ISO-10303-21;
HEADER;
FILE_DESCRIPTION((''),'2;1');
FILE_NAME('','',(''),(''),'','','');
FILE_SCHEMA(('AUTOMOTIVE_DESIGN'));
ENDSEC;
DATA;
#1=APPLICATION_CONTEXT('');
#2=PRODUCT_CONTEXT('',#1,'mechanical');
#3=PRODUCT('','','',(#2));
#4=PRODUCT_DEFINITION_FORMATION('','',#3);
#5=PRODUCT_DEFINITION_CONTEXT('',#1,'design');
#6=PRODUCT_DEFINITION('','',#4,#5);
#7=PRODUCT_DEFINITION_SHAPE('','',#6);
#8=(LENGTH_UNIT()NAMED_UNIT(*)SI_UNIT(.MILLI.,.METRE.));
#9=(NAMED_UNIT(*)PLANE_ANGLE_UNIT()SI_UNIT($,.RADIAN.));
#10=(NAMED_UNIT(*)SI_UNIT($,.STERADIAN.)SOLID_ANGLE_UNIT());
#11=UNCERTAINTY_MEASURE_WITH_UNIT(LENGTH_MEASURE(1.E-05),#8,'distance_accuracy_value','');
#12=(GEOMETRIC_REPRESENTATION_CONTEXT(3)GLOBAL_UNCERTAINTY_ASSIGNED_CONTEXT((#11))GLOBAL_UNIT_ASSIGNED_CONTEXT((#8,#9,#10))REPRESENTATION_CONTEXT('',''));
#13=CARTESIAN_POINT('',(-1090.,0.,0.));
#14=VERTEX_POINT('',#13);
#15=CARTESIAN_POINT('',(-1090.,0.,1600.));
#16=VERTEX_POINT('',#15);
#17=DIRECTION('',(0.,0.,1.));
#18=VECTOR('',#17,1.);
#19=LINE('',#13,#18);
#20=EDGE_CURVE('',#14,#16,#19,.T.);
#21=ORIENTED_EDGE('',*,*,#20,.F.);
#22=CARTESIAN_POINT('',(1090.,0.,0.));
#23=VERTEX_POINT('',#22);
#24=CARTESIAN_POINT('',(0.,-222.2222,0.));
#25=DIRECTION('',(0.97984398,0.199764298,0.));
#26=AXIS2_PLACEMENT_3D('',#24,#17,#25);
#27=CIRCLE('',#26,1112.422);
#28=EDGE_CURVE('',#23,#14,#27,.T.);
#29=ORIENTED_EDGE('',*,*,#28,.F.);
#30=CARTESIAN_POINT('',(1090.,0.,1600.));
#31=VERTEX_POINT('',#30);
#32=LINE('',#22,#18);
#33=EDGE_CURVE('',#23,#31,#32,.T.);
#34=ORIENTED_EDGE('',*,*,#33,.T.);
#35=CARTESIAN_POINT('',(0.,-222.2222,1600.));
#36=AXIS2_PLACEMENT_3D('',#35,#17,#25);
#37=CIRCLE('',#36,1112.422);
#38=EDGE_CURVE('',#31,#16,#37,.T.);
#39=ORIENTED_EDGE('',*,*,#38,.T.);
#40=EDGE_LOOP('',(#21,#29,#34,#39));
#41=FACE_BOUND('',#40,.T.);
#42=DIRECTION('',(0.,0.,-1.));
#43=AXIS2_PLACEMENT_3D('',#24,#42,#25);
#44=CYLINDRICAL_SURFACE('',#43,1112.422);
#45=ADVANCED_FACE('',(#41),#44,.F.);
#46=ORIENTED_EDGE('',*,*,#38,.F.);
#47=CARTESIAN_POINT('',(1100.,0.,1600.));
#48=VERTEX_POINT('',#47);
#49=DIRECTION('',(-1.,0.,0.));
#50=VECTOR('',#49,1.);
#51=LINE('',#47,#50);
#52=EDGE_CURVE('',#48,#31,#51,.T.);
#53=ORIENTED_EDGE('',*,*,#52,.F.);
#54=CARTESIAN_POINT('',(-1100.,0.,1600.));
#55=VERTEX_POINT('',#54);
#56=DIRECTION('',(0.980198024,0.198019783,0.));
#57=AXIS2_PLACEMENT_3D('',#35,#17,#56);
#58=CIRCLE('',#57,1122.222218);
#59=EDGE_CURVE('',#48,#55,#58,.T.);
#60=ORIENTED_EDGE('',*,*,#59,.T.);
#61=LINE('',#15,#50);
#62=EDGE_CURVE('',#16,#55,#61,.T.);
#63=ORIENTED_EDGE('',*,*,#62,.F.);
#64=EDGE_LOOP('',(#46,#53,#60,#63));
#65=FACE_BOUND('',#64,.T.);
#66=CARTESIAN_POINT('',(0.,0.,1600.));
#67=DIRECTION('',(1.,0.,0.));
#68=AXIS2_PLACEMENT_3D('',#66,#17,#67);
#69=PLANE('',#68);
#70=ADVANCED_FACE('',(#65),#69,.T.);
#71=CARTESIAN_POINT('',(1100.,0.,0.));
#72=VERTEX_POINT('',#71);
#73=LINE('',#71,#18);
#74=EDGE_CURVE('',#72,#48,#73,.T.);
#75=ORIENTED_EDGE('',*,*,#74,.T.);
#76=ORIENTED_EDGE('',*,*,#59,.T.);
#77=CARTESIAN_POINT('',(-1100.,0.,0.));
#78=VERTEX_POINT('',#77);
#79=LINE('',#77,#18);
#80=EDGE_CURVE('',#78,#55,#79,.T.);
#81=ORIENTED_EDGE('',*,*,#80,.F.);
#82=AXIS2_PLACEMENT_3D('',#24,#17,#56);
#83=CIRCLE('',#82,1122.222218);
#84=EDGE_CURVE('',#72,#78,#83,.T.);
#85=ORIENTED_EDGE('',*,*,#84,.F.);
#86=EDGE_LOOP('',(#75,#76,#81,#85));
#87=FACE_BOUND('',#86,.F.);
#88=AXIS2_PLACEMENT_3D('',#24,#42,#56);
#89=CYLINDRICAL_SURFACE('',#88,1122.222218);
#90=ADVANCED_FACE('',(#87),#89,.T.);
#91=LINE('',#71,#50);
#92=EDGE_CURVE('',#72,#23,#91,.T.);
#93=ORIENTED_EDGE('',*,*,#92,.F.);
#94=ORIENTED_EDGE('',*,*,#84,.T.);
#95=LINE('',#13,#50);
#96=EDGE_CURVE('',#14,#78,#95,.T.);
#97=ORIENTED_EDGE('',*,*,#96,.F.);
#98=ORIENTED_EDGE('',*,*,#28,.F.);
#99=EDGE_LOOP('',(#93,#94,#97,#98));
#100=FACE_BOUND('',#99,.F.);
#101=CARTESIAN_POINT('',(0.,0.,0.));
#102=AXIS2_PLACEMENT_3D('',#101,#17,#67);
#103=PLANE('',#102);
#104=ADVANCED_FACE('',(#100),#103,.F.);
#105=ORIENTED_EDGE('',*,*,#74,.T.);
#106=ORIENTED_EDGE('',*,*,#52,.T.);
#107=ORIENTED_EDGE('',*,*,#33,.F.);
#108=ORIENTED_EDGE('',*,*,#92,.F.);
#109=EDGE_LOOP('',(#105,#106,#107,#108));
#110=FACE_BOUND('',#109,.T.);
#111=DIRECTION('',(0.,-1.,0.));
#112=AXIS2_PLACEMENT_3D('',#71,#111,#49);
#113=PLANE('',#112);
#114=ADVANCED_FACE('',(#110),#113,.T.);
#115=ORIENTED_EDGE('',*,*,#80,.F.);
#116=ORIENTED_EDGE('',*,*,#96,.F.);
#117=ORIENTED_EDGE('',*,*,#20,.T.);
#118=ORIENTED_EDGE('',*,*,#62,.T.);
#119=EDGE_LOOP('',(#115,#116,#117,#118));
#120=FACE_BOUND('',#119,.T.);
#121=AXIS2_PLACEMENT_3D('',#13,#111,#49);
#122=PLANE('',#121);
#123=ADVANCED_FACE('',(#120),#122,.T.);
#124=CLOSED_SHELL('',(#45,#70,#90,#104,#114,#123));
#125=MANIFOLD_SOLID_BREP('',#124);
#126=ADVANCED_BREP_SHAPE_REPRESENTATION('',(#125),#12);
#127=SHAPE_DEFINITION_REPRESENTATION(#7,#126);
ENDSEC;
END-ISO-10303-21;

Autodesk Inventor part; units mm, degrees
ref_plane "YZ Plane" through (0, 0, 0) normal (1, 0, 0) x (0, 1, 0)
ref_plane "XZ Plane" through (0, 0, 0) normal (0, 1, 0) x (-1, 0, 0)
ref_plane "XY Plane" through (0, 0, 0) normal (0, 0, 1) x (1, 0, 0)
sketch "Sketch2" plane through (0, 0, 0) normal (0, 0, 1) x (1, 0, 0)
  arc A0 (1100, 0) -> (-1100, 0) centre (0, -222.2222) ccw
  arc A1 (1090, 0) -> (-1090, 0) centre (0, -222.2222) ccw
  line L0 (541.3488, 0) -> (1090, 0)
  line L1 (-1090, 0) -> (-1100, 0)
  line L2 (1100, 0) -> (1090, 0)
  line L3 (-1090, 0) -> (-1100, 0)
  point P0 (0, 0)
  point P1 (0, 900)
  dimension "d12" = 2200
  dimension "d13" = 900
  dimension "d16" = 0
  dimension "d17" = 0
  dimension "d18" = 0
  dimension "d19" = 0
  dimension "d20" = 0
  dimension "d21" = 0
  dimension "d23" = 10
extrude "shell" add sketch "Sketch2" along normal blind 1600
equation "\"d12\" = cover_length_main"
equation "\"d13\" = cover_height_main"
equation "\"d23\" = cover_shell_thickness"
equation "\"d14\" = cover_width_main"
equation "\"cover_width_main\" = 1600"
equation "\"cover_height_main\" = 900"
equation "\"cover_length_main\" = 2200"
equation "\"cover_shell_thickness\" = 10"
equation "\"hoop_angle_z\" = 45deg"
equation "\"hoop_bearing_length\" = 5deg"
equation "\"hoop_cable_diam\" = 5"
equation "\"hoop_cable_pulley_diam\" = 22"
equation "\"rack_tooth_addendum\" = 5"
equation "\"rack_tooth_dedendum\" = 5"
equation "\"rack_tooth_thickness\" = 5"
equation "\"secure_arm_angle\" = 20deg"
equation "\"secure_arm_hold_length\" = 35"
equation "\"secure_arm_radii\" = 9"
equation "\"support_baseClamp_platformLengthBuffer\" = 35"
equation "\"support_baseClamp_platformThickness\" = 15"
equation "\"support_baseClamp_platformWidthBuffer\" = 0"
equation "\"support_baseClamp_sleeveHoleDiameter\" = 12"
equation "\"support_baseClamp_sleeveSweepTerminationAngle\" = 55deg"
equation "\"support_baseClamp_thickness\" = 8"
equation "\"support_frame_endHoleBuffer\" = 25"
equation "\"support_frame_squareBarFillet\" = 2"
equation "\"support_frame_squareBarThickness\" = 5"
equation "\"hoop_tabs_hole\" = 4"
equation "\"hoop_tabs_thickness\" = 6"
equation "\"wheelchair_deployed_length\" = 1067"
equation "\"wheelchair_deployed_height\" = 914"
equation "\"wheelchair_deployed_width\" = 635"
properties part number "cover_shell1"
